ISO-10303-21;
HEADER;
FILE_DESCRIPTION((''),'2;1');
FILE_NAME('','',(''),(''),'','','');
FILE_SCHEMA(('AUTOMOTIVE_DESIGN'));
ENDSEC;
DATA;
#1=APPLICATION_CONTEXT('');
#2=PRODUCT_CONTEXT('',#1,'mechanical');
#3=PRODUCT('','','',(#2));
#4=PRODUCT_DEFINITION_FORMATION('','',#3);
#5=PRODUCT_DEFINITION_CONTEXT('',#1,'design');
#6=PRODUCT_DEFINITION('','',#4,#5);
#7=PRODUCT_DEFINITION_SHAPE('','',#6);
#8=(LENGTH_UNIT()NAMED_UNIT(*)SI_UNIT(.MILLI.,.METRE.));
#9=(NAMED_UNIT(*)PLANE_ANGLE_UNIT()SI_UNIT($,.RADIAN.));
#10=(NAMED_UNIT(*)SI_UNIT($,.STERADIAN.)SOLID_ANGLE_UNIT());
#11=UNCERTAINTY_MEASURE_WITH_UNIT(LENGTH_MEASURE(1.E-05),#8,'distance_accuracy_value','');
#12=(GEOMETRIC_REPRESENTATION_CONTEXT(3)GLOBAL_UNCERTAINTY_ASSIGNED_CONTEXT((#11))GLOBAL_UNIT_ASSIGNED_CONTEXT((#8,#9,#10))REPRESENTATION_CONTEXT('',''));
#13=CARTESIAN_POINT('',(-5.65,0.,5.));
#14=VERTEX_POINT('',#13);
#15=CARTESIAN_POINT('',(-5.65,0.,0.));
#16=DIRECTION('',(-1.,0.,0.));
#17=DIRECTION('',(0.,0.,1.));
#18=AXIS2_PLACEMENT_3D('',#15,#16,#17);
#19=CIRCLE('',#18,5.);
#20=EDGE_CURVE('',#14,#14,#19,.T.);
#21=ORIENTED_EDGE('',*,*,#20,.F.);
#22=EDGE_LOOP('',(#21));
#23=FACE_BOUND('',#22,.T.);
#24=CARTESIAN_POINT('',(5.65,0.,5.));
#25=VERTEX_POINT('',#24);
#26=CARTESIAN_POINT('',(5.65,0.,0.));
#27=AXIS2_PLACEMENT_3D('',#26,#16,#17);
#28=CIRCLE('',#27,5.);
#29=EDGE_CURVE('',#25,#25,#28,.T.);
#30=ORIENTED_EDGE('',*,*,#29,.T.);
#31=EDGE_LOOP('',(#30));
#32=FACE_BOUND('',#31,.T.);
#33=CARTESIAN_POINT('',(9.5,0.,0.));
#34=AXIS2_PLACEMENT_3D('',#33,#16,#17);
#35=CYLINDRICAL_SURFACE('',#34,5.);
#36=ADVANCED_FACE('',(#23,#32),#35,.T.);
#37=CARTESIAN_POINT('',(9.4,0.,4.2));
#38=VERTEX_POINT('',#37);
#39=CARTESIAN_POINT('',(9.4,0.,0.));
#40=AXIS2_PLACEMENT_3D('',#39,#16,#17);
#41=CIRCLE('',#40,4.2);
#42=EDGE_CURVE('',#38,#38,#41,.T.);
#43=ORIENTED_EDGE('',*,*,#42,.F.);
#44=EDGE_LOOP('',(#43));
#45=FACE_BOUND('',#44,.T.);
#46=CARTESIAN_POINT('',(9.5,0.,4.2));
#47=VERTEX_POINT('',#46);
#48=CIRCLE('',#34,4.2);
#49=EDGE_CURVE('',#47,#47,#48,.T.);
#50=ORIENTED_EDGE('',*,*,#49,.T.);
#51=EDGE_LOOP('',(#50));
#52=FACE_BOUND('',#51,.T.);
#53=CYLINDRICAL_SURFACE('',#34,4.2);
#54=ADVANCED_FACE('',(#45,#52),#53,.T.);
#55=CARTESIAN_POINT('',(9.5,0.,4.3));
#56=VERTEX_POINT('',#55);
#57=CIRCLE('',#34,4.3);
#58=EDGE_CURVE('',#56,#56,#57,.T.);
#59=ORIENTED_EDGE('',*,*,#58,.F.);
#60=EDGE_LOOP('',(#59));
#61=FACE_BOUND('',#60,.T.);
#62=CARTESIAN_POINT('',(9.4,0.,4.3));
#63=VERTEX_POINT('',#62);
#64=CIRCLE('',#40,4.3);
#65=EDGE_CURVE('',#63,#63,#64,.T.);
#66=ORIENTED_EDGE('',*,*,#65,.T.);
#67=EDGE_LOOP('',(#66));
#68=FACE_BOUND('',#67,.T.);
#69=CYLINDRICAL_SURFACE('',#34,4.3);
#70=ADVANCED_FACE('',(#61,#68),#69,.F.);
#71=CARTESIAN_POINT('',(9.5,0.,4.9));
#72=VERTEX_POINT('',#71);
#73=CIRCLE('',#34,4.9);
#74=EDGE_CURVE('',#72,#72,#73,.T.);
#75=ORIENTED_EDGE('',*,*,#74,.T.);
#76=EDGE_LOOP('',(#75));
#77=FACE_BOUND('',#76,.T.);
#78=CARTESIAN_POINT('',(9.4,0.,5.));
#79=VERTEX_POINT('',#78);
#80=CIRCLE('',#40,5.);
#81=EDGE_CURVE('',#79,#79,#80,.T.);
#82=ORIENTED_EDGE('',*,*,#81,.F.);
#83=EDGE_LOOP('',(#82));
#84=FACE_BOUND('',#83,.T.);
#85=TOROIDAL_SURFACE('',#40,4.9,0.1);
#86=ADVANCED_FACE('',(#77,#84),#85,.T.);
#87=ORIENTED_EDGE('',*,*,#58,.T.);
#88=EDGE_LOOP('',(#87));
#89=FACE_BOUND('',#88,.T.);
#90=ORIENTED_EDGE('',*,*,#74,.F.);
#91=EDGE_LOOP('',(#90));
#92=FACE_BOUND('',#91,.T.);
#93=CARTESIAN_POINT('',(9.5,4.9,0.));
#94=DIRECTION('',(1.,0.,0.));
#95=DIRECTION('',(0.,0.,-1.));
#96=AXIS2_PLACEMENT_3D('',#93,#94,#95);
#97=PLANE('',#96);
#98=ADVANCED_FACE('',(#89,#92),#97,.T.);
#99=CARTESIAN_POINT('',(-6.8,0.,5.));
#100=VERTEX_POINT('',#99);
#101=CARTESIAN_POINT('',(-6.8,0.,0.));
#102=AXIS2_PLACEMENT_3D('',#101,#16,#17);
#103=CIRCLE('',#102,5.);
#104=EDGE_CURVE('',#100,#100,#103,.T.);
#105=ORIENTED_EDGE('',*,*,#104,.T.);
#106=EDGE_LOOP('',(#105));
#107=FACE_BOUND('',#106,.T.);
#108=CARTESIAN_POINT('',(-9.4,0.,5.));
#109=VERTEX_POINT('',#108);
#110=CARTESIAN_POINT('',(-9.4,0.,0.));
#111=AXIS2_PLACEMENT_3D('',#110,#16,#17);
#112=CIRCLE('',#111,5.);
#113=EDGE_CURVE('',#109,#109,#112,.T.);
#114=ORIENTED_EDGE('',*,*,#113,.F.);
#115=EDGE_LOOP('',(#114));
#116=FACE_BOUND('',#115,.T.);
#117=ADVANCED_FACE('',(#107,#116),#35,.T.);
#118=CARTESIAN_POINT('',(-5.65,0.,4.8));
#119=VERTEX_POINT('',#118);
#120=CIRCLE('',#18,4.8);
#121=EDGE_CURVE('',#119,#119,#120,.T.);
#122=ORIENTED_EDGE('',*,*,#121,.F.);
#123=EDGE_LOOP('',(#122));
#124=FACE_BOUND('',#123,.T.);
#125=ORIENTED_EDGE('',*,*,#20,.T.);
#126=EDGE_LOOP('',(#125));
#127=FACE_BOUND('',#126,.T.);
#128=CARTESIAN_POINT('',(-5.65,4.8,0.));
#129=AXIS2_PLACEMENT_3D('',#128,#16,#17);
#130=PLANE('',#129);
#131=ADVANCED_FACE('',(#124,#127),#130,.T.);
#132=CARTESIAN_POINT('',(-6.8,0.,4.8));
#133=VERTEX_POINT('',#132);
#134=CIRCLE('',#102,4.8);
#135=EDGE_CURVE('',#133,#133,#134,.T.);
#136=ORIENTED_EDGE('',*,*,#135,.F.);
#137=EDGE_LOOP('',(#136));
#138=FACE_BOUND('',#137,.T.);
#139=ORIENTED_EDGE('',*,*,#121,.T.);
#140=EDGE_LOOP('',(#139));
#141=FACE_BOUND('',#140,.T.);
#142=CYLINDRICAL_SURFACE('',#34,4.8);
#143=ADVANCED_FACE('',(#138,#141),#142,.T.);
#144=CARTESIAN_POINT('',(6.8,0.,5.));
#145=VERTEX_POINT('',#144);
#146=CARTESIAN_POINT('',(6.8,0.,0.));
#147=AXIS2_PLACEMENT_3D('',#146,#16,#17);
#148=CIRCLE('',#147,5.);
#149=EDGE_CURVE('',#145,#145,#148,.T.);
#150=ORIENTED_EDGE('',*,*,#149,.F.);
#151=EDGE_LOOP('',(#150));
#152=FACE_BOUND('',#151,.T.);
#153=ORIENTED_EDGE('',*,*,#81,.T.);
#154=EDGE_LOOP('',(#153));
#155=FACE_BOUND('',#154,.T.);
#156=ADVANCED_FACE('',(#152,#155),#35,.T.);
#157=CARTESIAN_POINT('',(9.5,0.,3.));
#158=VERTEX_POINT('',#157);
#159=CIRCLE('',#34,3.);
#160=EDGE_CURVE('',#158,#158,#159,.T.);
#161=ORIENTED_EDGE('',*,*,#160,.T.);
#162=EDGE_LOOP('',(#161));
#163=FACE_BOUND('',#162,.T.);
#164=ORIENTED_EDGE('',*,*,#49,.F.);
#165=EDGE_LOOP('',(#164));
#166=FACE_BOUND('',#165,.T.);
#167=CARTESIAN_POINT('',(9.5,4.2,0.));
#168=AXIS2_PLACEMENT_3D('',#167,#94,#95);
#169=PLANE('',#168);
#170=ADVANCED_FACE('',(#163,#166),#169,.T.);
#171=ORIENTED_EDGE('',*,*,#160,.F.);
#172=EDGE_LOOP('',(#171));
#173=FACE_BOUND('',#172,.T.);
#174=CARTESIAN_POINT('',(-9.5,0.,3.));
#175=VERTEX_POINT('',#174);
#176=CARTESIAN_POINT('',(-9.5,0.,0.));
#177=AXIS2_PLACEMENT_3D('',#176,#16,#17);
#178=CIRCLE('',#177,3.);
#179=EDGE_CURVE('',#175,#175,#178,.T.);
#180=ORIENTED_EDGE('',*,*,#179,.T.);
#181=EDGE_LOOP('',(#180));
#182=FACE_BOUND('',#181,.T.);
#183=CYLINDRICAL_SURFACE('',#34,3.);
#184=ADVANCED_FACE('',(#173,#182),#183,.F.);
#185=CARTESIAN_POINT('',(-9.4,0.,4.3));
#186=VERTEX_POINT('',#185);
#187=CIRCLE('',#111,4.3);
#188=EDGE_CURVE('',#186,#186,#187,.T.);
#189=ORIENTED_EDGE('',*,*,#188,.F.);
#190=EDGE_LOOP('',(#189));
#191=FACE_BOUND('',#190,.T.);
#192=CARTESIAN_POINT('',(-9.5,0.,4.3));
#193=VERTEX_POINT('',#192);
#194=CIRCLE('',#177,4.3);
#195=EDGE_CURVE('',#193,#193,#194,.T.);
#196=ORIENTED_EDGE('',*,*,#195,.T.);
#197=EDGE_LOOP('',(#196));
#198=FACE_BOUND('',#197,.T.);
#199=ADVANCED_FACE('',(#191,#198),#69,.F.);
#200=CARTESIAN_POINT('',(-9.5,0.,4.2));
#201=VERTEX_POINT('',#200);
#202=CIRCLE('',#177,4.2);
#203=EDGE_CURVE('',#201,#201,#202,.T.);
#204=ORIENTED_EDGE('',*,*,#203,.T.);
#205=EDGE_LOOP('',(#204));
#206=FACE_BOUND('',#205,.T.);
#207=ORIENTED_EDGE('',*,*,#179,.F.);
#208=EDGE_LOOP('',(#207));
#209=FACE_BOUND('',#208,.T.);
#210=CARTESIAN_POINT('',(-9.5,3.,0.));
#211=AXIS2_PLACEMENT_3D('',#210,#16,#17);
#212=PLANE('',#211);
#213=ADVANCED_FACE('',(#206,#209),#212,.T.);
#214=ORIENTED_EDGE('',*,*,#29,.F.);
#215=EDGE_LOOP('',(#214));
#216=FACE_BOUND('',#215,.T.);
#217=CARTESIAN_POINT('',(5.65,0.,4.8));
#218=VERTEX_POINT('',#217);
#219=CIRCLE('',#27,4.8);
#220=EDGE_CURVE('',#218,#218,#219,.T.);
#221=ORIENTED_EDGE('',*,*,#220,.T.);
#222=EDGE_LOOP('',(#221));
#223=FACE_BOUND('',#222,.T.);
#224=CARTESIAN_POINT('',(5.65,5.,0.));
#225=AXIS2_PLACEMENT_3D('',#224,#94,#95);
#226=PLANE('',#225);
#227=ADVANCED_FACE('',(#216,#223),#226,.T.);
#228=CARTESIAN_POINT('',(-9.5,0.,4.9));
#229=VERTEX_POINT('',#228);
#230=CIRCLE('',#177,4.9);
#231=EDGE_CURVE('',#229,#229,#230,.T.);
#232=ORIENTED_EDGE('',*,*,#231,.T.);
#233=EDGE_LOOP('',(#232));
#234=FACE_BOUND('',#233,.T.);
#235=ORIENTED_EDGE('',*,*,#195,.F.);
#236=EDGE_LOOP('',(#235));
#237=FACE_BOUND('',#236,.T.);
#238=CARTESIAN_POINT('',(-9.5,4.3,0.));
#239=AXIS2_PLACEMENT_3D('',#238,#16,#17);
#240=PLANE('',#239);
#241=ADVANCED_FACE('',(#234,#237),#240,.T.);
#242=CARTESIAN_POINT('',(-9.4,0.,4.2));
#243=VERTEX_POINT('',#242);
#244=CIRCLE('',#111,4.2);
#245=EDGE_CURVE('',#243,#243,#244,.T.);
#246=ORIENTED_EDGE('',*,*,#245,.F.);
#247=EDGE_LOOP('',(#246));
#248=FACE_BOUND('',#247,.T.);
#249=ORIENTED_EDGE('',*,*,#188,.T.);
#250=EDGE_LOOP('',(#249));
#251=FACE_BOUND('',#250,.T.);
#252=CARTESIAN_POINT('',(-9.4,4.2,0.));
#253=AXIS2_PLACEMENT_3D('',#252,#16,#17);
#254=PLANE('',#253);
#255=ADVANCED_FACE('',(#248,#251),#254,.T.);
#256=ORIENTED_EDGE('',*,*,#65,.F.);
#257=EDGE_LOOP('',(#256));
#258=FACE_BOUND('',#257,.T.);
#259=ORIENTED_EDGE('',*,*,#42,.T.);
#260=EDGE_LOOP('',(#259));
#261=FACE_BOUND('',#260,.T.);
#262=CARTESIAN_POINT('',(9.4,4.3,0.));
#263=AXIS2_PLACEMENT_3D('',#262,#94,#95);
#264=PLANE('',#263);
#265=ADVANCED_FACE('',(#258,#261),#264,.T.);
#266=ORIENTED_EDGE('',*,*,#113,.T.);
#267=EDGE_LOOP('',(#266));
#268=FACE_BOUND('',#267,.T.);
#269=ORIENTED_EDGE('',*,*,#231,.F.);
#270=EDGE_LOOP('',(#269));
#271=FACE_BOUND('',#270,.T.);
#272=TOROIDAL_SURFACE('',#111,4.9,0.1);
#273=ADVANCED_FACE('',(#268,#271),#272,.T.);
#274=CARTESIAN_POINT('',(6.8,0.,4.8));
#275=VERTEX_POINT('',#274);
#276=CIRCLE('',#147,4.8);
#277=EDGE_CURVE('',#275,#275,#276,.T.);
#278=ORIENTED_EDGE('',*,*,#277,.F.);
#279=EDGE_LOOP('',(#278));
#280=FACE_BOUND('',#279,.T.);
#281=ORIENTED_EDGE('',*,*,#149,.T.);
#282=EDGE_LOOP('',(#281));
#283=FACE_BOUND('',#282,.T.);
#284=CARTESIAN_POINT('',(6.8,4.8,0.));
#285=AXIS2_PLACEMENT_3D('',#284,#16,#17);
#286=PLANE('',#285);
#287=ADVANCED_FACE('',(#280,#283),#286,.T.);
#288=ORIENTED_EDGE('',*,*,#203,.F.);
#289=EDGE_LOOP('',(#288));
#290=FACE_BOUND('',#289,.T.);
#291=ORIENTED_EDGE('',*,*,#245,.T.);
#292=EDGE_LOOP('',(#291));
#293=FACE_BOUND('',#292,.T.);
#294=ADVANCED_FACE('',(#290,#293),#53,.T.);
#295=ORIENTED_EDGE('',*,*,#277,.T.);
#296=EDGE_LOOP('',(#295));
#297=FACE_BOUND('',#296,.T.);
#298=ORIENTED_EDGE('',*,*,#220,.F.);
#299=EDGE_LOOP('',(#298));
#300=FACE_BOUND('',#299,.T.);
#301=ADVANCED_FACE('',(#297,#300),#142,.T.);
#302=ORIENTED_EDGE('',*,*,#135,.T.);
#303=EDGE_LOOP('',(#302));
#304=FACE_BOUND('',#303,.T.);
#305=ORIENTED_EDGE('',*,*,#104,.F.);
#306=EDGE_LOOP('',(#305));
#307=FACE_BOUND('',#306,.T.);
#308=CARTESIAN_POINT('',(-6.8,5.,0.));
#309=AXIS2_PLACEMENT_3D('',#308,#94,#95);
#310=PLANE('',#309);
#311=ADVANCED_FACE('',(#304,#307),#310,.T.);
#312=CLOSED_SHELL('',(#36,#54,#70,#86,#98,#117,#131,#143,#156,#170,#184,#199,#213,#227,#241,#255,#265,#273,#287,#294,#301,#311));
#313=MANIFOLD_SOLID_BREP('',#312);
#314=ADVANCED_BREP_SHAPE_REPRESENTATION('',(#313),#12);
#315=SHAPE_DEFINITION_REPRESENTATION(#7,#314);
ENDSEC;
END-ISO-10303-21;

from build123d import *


with BuildPart() as part:
    # Sketch1 → Revolve1 (revolve)
    with BuildSketch(Plane(origin=(0, 0, 0), x_dir=(-1, 0, 0), z_dir=(0, 0, -1))):
        with BuildLine():
            Line((-9.4, 4.2), (-9.5, 4.2))
            Line((-9.5, 4.2), (-9.5, 3))
            Line((-9.5, 3), (9.5, 3))
            Line((9.5, 3), (9.5, 4.2))
            Line((9.5, 4.2), (9.4, 4.2))
            Line((9.4, 4.2), (9.4, 4.3))
            Line((9.4, 4.3), (9.5, 4.3))
            Line((9.5, 4.3), (9.5, 4.9))
            ThreePointArc((9.5, 4.9), (9.470710678, 4.970710678), (9.4, 5))
            Line((9.4, 5), (6.8, 5))
            Line((6.8, 5), (6.8, 4.8))
            Line((6.8, 4.8), (5.65, 4.8))
            Line((5.65, 4.8), (5.65, 5))
            Line((5.65, 5), (-5.65, 5))
            Line((-5.65, 5), (-5.65, 4.8))
            Line((-5.65, 4.8), (-6.8, 4.8))
            Line((-6.8, 4.8), (-6.8, 5))
            Line((-6.8, 5), (-9.4, 5))
            ThreePointArc((-9.4, 5), (-9.470710678, 4.970710678), (-9.5, 4.9))
            Line((-9.5, 4.9), (-9.5, 4.3))
            Line((-9.5, 4.3), (-9.4, 4.3))
            Line((-9.4, 4.3), (-9.4, 4.2))
        make_face()
    revolve(axis=Axis((9.5, 0, 0), (-1, 0, 0)))


solid = part.part
